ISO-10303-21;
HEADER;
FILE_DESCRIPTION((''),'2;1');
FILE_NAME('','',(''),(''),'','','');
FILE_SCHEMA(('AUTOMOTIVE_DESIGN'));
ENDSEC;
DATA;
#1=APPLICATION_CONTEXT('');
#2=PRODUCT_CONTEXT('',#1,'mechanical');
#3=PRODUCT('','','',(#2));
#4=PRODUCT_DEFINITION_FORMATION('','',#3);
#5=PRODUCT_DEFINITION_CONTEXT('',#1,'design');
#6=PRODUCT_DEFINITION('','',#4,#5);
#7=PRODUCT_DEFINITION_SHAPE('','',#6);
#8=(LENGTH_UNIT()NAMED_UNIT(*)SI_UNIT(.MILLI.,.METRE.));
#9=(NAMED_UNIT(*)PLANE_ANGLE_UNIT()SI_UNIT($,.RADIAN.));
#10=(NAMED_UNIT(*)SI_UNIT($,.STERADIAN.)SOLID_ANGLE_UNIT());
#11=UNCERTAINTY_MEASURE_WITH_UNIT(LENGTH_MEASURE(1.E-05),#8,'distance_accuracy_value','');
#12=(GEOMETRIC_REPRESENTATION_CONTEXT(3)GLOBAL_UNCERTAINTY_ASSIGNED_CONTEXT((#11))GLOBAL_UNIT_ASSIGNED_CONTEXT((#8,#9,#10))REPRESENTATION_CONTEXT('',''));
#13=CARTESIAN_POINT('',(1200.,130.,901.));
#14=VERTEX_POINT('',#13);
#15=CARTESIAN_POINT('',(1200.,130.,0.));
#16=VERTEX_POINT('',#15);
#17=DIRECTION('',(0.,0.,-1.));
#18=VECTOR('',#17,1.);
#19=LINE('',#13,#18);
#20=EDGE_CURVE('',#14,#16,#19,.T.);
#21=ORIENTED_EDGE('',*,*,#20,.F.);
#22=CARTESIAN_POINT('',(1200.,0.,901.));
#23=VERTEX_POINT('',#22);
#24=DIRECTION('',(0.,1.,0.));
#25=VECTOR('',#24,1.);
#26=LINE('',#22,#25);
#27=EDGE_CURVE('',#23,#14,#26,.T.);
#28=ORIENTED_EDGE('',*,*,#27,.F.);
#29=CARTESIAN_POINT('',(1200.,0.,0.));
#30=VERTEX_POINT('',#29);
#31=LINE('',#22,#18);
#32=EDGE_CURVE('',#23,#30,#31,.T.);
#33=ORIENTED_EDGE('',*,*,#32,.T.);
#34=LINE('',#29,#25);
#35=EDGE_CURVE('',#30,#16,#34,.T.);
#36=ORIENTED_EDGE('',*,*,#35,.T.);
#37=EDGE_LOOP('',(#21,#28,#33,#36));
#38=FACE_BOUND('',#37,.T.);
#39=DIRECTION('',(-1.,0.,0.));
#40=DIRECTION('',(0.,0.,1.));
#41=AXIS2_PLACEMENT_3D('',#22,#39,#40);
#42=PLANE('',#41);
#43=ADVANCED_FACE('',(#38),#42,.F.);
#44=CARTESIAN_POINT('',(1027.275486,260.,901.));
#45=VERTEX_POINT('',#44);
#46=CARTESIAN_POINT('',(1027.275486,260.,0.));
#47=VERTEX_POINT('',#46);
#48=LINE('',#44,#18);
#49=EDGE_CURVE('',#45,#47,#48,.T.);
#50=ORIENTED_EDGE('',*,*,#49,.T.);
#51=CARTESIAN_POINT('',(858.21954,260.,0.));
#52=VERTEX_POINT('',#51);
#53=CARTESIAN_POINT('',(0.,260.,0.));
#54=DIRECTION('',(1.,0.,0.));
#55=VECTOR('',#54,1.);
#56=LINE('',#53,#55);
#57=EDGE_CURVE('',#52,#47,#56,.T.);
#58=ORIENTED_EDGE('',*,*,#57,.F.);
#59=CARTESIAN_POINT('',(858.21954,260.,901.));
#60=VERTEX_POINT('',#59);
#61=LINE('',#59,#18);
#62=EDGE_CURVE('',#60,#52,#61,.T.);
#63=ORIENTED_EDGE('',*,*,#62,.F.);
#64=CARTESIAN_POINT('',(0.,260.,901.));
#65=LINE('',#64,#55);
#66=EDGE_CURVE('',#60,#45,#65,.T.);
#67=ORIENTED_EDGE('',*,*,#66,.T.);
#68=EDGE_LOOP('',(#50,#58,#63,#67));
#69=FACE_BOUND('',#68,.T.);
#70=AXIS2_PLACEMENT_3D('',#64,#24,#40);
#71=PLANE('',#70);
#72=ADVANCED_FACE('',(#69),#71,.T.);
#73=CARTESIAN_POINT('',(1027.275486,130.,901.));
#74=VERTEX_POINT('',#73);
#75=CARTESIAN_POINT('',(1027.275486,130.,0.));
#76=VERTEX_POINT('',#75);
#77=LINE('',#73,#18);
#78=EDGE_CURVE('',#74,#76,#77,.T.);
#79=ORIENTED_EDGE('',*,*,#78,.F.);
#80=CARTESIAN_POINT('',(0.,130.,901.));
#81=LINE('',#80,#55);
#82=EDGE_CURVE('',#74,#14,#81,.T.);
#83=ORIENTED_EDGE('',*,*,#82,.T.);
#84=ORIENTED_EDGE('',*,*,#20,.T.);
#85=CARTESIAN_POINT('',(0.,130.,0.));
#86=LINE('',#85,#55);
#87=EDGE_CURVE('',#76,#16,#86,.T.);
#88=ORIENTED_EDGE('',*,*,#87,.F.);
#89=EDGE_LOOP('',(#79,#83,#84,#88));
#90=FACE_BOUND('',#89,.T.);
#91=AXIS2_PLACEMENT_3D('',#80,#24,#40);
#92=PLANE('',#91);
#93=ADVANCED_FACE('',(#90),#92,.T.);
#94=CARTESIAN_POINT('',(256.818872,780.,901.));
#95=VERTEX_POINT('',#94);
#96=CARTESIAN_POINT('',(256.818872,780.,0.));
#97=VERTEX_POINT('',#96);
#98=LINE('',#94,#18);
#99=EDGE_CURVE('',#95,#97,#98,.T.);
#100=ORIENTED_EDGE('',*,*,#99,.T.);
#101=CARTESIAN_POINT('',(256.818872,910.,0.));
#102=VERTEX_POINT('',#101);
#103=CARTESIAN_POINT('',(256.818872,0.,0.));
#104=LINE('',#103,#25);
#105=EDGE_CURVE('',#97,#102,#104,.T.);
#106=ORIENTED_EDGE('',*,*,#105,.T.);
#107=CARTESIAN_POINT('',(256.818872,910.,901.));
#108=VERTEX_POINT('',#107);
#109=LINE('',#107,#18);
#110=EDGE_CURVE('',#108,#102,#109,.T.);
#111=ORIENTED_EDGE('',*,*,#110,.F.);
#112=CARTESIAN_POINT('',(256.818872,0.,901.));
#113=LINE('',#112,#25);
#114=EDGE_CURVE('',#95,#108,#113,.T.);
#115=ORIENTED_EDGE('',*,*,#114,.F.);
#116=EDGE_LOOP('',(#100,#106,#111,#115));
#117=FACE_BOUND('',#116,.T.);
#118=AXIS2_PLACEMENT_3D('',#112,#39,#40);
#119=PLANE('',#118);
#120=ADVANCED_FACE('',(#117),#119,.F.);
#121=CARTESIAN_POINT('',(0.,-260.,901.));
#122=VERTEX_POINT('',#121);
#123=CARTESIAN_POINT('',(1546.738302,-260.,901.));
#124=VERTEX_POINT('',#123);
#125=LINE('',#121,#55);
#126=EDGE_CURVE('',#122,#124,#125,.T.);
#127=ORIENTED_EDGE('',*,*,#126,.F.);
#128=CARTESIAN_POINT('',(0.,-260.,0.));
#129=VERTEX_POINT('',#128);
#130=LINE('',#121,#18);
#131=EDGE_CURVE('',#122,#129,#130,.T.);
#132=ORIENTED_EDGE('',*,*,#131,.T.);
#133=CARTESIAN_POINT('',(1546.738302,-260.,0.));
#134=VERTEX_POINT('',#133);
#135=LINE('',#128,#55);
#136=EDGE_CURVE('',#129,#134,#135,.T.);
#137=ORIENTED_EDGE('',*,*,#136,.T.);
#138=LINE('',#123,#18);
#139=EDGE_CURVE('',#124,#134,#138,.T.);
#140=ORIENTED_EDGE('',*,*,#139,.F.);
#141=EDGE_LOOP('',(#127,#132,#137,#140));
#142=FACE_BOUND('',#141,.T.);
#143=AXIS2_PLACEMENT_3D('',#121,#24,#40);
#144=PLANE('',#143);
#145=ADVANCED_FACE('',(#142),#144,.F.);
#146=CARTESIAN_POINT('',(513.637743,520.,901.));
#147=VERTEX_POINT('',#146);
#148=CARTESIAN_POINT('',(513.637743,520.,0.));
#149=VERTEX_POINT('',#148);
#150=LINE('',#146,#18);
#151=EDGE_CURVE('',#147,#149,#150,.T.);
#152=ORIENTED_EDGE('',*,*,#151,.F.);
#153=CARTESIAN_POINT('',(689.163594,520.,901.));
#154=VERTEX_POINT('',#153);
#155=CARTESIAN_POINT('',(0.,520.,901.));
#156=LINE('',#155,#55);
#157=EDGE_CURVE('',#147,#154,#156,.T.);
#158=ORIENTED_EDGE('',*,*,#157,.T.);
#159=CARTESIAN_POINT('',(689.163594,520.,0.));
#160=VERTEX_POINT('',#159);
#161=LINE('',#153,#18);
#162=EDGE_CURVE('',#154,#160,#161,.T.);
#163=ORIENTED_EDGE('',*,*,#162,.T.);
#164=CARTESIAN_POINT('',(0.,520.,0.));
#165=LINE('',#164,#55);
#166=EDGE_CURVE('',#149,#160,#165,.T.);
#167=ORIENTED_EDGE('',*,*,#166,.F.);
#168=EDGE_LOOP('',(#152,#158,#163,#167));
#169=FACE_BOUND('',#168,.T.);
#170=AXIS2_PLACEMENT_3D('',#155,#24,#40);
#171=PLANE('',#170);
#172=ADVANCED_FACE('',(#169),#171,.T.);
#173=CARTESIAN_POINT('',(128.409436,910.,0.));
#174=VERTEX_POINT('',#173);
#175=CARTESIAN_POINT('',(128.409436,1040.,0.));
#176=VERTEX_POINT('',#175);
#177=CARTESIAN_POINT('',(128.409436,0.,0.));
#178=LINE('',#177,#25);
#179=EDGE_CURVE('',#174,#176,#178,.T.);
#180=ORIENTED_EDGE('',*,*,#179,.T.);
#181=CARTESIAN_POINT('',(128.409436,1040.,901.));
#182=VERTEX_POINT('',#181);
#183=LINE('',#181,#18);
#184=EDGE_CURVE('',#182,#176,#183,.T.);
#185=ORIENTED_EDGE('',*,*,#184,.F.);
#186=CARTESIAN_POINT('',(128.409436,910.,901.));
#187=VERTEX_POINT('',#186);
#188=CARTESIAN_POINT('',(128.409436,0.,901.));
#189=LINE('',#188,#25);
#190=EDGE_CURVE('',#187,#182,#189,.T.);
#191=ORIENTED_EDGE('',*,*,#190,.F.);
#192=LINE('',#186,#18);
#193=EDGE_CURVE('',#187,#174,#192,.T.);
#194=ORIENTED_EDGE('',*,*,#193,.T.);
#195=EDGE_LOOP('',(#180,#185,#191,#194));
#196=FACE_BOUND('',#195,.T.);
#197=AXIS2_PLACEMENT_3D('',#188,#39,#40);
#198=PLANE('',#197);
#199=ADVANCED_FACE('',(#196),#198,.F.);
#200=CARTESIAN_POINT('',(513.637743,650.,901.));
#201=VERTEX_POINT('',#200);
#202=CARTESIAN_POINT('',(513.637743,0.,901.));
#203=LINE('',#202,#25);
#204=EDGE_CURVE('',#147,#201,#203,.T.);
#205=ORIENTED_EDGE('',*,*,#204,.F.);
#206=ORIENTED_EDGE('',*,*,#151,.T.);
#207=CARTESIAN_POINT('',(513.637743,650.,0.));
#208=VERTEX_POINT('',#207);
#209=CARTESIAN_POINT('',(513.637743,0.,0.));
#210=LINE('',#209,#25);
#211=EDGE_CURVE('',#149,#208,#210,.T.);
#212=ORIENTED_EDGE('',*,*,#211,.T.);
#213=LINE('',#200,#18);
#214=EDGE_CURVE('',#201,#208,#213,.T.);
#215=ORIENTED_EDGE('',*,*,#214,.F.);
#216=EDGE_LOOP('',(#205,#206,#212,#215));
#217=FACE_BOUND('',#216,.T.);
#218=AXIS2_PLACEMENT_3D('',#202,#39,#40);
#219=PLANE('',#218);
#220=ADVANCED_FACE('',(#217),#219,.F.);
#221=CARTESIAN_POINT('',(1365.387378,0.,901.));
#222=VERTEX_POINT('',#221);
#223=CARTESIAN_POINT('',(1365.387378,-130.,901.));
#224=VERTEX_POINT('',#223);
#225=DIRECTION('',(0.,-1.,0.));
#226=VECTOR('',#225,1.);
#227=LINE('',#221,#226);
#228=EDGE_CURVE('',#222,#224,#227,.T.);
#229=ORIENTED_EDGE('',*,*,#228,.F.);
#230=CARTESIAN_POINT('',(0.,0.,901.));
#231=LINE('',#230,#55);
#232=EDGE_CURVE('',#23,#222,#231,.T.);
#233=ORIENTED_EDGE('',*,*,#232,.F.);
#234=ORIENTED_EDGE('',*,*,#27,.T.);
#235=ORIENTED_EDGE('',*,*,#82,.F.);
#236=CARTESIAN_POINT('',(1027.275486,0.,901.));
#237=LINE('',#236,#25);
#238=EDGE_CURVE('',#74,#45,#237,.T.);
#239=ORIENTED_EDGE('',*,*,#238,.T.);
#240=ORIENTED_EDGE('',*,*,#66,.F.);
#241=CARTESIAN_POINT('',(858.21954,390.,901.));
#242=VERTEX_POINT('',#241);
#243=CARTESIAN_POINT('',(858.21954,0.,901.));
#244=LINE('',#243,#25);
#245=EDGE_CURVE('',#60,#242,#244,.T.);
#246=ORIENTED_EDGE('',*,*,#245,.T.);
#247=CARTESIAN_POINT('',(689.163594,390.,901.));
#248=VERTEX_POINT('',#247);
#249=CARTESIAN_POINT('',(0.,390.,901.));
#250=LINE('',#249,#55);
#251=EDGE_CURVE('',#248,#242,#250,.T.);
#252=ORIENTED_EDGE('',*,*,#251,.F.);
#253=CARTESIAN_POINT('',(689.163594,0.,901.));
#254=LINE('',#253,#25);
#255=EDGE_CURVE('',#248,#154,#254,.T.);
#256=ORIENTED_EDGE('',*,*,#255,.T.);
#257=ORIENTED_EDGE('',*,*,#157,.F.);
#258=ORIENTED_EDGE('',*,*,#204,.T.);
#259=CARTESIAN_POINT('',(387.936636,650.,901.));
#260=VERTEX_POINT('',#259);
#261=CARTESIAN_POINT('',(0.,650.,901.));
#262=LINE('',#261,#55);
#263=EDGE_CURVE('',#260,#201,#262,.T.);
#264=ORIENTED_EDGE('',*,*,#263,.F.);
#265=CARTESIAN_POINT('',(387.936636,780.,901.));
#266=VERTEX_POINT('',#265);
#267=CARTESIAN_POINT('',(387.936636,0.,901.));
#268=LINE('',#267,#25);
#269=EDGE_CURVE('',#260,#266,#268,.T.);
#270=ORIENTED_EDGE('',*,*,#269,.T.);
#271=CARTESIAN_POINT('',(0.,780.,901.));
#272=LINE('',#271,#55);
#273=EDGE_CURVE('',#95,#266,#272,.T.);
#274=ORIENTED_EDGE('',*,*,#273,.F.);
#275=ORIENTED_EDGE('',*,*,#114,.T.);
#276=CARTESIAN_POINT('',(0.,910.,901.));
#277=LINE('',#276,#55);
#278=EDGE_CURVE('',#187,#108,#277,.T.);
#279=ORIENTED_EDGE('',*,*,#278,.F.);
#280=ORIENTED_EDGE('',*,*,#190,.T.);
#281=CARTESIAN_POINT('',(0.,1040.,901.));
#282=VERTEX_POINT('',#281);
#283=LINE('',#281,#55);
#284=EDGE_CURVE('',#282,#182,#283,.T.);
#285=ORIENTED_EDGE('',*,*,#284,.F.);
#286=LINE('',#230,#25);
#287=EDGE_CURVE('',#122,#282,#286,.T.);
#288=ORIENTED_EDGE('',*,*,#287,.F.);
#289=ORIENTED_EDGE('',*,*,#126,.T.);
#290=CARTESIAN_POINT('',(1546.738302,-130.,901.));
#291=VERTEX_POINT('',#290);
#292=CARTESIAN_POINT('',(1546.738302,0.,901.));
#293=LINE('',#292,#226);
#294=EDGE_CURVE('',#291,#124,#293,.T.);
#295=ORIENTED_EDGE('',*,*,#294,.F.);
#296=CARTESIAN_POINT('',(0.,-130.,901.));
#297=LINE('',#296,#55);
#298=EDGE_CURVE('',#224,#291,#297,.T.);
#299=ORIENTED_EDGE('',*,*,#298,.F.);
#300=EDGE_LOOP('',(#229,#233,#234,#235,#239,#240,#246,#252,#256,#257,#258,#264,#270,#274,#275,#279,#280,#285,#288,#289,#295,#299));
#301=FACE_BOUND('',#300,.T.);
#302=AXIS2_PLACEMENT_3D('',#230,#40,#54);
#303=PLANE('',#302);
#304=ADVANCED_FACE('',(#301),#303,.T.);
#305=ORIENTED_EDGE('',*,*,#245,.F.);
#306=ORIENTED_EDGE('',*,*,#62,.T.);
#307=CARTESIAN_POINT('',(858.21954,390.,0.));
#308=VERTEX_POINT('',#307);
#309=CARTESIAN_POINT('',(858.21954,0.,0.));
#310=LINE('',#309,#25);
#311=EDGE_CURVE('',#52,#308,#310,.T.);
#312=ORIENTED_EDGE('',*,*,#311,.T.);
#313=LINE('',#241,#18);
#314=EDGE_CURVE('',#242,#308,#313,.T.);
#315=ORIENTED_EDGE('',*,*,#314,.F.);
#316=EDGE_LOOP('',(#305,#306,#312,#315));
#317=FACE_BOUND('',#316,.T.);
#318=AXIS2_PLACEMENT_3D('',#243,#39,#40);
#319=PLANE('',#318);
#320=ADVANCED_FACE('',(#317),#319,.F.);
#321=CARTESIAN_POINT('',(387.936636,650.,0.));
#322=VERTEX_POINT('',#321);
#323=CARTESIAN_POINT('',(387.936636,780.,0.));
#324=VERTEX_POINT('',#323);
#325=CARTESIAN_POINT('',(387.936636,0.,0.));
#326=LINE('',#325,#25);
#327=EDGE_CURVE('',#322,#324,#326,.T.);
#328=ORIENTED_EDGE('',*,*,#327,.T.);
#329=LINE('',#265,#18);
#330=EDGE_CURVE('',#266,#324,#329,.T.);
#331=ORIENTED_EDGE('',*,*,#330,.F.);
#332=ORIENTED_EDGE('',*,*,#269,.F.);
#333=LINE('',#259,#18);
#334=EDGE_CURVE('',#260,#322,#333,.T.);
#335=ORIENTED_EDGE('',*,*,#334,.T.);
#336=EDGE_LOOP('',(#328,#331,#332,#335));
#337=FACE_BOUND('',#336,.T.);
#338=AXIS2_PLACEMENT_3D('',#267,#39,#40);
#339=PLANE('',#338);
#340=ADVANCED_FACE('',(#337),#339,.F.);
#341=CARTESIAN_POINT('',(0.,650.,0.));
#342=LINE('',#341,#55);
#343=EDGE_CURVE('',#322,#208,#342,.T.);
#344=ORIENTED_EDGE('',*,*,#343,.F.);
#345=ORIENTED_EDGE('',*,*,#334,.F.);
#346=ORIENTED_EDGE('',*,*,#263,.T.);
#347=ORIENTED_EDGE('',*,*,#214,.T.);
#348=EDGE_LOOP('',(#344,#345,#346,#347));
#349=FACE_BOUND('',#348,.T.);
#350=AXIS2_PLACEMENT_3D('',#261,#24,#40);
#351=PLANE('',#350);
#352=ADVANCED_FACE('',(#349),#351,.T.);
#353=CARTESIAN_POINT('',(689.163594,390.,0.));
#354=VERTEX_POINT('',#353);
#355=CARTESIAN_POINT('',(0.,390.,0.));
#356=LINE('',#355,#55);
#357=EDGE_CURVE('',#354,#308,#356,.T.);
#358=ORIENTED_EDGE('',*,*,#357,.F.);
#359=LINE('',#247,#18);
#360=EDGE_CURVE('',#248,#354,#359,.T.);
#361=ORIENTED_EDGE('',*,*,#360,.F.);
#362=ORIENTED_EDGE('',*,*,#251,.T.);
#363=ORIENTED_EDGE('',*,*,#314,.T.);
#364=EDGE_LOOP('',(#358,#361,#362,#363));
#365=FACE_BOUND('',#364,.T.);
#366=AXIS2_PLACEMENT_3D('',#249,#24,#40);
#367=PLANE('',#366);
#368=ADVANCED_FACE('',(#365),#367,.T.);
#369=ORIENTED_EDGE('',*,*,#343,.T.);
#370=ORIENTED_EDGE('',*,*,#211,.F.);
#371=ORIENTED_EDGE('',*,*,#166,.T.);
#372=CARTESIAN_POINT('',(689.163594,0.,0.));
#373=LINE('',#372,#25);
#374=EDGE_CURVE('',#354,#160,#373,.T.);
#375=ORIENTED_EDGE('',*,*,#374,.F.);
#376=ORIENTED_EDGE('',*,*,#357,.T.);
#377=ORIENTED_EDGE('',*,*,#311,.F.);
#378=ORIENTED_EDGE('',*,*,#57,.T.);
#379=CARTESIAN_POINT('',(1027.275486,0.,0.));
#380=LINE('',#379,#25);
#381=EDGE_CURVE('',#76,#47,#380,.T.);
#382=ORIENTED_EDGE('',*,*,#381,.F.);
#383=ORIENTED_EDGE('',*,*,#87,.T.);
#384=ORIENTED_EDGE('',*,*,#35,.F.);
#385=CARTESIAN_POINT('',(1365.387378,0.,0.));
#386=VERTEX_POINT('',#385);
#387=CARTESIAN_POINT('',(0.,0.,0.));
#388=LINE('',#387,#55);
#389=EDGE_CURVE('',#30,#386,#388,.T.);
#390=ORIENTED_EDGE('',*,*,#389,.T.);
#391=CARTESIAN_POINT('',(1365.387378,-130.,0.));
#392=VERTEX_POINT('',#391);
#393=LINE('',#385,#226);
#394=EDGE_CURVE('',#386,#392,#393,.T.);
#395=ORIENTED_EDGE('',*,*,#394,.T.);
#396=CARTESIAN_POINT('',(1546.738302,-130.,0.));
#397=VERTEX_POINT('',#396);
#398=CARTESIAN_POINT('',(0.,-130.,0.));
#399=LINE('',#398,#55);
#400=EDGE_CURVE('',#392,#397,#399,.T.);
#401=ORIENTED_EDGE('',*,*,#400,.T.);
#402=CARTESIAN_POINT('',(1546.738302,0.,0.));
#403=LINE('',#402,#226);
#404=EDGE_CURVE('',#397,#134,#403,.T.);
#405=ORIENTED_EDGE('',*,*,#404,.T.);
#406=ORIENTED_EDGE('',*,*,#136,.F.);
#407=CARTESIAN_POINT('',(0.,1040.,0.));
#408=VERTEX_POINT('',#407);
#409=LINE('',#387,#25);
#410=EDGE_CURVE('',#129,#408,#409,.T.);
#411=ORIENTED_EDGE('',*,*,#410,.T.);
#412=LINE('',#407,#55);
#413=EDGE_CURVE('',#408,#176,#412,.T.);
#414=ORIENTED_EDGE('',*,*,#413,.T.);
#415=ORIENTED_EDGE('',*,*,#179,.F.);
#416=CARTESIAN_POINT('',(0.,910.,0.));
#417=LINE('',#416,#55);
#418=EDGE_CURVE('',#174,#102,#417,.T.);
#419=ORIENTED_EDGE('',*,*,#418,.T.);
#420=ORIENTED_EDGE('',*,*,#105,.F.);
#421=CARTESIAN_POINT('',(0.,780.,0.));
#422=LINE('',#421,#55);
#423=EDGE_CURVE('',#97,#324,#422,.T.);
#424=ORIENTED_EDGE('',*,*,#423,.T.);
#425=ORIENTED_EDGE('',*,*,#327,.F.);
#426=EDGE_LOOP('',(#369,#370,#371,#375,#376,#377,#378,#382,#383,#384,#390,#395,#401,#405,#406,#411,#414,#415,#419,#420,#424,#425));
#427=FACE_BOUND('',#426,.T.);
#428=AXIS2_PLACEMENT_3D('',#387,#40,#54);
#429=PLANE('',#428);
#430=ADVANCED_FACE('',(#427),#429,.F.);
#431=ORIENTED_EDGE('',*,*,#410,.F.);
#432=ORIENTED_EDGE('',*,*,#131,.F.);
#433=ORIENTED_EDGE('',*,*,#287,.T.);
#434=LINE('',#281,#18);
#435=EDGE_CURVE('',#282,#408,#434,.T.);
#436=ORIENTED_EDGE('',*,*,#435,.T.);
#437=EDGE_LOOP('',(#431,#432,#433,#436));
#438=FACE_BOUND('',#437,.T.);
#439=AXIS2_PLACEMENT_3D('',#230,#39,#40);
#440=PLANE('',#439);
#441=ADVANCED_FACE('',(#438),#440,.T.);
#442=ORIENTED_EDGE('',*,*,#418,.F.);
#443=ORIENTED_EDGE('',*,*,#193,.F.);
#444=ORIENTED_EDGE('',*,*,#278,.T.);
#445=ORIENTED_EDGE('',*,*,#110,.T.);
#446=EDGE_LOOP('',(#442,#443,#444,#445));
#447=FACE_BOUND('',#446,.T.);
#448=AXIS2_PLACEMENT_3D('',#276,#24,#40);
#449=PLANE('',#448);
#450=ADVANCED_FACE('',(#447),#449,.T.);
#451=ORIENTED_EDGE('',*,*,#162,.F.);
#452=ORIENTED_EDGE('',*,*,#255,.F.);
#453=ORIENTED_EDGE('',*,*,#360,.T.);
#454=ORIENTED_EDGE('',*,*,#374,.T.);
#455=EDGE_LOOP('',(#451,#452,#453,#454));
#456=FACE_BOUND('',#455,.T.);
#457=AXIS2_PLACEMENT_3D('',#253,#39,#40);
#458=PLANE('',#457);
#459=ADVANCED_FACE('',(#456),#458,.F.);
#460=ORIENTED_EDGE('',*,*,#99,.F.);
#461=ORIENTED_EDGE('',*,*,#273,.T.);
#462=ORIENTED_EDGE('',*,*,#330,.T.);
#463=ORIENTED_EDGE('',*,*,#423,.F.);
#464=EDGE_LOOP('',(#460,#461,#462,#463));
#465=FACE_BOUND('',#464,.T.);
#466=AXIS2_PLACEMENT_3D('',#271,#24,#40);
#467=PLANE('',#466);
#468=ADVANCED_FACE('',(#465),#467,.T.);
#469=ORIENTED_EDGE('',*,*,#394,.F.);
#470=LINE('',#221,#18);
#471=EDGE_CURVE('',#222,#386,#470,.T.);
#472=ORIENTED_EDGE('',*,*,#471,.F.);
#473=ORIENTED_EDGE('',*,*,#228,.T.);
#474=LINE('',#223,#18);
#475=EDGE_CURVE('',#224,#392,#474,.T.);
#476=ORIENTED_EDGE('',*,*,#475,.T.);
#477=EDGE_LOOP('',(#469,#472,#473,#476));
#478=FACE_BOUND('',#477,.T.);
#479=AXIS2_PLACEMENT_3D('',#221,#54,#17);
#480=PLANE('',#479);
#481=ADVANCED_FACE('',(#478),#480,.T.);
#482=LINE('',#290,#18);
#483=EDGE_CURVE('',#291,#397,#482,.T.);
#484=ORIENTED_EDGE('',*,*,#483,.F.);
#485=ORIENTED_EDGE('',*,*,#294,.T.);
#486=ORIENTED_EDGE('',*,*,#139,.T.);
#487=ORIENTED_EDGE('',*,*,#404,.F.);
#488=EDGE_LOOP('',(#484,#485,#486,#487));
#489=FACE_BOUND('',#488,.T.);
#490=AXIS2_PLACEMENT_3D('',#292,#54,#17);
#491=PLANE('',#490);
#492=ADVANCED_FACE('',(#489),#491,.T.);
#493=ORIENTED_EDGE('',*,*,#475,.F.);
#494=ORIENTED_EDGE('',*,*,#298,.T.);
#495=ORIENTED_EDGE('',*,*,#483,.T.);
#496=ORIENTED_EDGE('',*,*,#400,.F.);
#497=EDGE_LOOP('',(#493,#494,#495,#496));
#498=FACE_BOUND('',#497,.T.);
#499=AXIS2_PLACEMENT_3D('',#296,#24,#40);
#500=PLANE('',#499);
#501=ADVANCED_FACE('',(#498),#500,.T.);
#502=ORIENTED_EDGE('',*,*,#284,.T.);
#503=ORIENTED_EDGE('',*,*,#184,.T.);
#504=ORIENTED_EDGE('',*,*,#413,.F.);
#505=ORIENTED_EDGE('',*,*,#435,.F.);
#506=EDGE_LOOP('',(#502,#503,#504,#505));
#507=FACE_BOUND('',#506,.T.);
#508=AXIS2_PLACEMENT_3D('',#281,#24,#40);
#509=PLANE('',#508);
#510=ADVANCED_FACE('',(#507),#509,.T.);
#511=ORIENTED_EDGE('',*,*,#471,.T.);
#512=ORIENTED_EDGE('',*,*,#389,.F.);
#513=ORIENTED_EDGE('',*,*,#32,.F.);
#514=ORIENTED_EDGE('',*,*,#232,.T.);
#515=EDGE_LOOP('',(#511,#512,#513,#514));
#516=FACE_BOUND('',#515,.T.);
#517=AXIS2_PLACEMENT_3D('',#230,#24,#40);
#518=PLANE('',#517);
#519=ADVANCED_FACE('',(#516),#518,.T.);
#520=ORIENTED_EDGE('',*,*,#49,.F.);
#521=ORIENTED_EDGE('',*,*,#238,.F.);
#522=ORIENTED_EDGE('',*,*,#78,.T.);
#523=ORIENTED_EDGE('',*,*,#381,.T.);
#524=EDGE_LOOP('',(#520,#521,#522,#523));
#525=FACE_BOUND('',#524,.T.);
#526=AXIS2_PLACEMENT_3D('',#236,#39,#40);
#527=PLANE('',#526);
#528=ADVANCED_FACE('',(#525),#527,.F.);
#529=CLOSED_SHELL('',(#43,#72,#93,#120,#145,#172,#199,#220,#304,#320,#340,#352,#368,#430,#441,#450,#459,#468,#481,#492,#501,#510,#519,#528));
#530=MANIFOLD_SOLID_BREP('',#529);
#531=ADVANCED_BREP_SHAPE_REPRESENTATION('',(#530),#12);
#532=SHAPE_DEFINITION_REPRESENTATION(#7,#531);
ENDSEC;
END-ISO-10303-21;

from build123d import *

# Parameters (mm, degrees)
CROQUIS1_W              = 128.409435803
CROQUIS1_H              = 130
CROQUIS1_W_2            = 1200
SALIENTE_EXTRUIR1_DEPTH = 901


with BuildPart() as part:
    # Croquis1 → Saliente-Extruir1 (new body)
    with BuildSketch(Plane.XY):
        with Locations((64.204717902, 975)):
            Rectangle(CROQUIS1_W, CROQUIS1_H)
        Polygon((0, 910), (0, 780), (256.818871606, 780), (256.818871606, 910), (128.409435803, 910), align=None)
        Polygon((0, 780), (0, 650), (387.93663619, 650), (387.93663619, 780), (256.818871606, 780), align=None)
        Polygon((0, 650), (0, 520), (513.637743212, 520), (513.637743212, 650), (387.93663619, 650), align=None)
        Polygon((0, 520), (0, 390), (689.163594473, 390), (689.163594473, 520), (513.637743212, 520), align=None)
        Polygon((0, 390), (0, 260), (858.219540448, 260), (858.219540448, 390), (689.163594473, 390), align=None)
        Polygon((0, 260), (0, 130), (1027.275486423, 130), (1027.275486423, 260), (858.219540448, 260), align=None)
        with Locations((600, 65)):
            Rectangle(CROQUIS1_W_2, CROQUIS1_H)
        Polygon((1200, 0), (0, 0), (0, -130), (1365.387378374, -130), (1365.387378374, 0), align=None)
        Polygon((1365.387378374, -130), (0, -130), (0, -260), (1546.738302238, -260), (1546.738302238, -130), align=None)
    extrude(amount=SALIENTE_EXTRUIR1_DEPTH)


solid = part.part
